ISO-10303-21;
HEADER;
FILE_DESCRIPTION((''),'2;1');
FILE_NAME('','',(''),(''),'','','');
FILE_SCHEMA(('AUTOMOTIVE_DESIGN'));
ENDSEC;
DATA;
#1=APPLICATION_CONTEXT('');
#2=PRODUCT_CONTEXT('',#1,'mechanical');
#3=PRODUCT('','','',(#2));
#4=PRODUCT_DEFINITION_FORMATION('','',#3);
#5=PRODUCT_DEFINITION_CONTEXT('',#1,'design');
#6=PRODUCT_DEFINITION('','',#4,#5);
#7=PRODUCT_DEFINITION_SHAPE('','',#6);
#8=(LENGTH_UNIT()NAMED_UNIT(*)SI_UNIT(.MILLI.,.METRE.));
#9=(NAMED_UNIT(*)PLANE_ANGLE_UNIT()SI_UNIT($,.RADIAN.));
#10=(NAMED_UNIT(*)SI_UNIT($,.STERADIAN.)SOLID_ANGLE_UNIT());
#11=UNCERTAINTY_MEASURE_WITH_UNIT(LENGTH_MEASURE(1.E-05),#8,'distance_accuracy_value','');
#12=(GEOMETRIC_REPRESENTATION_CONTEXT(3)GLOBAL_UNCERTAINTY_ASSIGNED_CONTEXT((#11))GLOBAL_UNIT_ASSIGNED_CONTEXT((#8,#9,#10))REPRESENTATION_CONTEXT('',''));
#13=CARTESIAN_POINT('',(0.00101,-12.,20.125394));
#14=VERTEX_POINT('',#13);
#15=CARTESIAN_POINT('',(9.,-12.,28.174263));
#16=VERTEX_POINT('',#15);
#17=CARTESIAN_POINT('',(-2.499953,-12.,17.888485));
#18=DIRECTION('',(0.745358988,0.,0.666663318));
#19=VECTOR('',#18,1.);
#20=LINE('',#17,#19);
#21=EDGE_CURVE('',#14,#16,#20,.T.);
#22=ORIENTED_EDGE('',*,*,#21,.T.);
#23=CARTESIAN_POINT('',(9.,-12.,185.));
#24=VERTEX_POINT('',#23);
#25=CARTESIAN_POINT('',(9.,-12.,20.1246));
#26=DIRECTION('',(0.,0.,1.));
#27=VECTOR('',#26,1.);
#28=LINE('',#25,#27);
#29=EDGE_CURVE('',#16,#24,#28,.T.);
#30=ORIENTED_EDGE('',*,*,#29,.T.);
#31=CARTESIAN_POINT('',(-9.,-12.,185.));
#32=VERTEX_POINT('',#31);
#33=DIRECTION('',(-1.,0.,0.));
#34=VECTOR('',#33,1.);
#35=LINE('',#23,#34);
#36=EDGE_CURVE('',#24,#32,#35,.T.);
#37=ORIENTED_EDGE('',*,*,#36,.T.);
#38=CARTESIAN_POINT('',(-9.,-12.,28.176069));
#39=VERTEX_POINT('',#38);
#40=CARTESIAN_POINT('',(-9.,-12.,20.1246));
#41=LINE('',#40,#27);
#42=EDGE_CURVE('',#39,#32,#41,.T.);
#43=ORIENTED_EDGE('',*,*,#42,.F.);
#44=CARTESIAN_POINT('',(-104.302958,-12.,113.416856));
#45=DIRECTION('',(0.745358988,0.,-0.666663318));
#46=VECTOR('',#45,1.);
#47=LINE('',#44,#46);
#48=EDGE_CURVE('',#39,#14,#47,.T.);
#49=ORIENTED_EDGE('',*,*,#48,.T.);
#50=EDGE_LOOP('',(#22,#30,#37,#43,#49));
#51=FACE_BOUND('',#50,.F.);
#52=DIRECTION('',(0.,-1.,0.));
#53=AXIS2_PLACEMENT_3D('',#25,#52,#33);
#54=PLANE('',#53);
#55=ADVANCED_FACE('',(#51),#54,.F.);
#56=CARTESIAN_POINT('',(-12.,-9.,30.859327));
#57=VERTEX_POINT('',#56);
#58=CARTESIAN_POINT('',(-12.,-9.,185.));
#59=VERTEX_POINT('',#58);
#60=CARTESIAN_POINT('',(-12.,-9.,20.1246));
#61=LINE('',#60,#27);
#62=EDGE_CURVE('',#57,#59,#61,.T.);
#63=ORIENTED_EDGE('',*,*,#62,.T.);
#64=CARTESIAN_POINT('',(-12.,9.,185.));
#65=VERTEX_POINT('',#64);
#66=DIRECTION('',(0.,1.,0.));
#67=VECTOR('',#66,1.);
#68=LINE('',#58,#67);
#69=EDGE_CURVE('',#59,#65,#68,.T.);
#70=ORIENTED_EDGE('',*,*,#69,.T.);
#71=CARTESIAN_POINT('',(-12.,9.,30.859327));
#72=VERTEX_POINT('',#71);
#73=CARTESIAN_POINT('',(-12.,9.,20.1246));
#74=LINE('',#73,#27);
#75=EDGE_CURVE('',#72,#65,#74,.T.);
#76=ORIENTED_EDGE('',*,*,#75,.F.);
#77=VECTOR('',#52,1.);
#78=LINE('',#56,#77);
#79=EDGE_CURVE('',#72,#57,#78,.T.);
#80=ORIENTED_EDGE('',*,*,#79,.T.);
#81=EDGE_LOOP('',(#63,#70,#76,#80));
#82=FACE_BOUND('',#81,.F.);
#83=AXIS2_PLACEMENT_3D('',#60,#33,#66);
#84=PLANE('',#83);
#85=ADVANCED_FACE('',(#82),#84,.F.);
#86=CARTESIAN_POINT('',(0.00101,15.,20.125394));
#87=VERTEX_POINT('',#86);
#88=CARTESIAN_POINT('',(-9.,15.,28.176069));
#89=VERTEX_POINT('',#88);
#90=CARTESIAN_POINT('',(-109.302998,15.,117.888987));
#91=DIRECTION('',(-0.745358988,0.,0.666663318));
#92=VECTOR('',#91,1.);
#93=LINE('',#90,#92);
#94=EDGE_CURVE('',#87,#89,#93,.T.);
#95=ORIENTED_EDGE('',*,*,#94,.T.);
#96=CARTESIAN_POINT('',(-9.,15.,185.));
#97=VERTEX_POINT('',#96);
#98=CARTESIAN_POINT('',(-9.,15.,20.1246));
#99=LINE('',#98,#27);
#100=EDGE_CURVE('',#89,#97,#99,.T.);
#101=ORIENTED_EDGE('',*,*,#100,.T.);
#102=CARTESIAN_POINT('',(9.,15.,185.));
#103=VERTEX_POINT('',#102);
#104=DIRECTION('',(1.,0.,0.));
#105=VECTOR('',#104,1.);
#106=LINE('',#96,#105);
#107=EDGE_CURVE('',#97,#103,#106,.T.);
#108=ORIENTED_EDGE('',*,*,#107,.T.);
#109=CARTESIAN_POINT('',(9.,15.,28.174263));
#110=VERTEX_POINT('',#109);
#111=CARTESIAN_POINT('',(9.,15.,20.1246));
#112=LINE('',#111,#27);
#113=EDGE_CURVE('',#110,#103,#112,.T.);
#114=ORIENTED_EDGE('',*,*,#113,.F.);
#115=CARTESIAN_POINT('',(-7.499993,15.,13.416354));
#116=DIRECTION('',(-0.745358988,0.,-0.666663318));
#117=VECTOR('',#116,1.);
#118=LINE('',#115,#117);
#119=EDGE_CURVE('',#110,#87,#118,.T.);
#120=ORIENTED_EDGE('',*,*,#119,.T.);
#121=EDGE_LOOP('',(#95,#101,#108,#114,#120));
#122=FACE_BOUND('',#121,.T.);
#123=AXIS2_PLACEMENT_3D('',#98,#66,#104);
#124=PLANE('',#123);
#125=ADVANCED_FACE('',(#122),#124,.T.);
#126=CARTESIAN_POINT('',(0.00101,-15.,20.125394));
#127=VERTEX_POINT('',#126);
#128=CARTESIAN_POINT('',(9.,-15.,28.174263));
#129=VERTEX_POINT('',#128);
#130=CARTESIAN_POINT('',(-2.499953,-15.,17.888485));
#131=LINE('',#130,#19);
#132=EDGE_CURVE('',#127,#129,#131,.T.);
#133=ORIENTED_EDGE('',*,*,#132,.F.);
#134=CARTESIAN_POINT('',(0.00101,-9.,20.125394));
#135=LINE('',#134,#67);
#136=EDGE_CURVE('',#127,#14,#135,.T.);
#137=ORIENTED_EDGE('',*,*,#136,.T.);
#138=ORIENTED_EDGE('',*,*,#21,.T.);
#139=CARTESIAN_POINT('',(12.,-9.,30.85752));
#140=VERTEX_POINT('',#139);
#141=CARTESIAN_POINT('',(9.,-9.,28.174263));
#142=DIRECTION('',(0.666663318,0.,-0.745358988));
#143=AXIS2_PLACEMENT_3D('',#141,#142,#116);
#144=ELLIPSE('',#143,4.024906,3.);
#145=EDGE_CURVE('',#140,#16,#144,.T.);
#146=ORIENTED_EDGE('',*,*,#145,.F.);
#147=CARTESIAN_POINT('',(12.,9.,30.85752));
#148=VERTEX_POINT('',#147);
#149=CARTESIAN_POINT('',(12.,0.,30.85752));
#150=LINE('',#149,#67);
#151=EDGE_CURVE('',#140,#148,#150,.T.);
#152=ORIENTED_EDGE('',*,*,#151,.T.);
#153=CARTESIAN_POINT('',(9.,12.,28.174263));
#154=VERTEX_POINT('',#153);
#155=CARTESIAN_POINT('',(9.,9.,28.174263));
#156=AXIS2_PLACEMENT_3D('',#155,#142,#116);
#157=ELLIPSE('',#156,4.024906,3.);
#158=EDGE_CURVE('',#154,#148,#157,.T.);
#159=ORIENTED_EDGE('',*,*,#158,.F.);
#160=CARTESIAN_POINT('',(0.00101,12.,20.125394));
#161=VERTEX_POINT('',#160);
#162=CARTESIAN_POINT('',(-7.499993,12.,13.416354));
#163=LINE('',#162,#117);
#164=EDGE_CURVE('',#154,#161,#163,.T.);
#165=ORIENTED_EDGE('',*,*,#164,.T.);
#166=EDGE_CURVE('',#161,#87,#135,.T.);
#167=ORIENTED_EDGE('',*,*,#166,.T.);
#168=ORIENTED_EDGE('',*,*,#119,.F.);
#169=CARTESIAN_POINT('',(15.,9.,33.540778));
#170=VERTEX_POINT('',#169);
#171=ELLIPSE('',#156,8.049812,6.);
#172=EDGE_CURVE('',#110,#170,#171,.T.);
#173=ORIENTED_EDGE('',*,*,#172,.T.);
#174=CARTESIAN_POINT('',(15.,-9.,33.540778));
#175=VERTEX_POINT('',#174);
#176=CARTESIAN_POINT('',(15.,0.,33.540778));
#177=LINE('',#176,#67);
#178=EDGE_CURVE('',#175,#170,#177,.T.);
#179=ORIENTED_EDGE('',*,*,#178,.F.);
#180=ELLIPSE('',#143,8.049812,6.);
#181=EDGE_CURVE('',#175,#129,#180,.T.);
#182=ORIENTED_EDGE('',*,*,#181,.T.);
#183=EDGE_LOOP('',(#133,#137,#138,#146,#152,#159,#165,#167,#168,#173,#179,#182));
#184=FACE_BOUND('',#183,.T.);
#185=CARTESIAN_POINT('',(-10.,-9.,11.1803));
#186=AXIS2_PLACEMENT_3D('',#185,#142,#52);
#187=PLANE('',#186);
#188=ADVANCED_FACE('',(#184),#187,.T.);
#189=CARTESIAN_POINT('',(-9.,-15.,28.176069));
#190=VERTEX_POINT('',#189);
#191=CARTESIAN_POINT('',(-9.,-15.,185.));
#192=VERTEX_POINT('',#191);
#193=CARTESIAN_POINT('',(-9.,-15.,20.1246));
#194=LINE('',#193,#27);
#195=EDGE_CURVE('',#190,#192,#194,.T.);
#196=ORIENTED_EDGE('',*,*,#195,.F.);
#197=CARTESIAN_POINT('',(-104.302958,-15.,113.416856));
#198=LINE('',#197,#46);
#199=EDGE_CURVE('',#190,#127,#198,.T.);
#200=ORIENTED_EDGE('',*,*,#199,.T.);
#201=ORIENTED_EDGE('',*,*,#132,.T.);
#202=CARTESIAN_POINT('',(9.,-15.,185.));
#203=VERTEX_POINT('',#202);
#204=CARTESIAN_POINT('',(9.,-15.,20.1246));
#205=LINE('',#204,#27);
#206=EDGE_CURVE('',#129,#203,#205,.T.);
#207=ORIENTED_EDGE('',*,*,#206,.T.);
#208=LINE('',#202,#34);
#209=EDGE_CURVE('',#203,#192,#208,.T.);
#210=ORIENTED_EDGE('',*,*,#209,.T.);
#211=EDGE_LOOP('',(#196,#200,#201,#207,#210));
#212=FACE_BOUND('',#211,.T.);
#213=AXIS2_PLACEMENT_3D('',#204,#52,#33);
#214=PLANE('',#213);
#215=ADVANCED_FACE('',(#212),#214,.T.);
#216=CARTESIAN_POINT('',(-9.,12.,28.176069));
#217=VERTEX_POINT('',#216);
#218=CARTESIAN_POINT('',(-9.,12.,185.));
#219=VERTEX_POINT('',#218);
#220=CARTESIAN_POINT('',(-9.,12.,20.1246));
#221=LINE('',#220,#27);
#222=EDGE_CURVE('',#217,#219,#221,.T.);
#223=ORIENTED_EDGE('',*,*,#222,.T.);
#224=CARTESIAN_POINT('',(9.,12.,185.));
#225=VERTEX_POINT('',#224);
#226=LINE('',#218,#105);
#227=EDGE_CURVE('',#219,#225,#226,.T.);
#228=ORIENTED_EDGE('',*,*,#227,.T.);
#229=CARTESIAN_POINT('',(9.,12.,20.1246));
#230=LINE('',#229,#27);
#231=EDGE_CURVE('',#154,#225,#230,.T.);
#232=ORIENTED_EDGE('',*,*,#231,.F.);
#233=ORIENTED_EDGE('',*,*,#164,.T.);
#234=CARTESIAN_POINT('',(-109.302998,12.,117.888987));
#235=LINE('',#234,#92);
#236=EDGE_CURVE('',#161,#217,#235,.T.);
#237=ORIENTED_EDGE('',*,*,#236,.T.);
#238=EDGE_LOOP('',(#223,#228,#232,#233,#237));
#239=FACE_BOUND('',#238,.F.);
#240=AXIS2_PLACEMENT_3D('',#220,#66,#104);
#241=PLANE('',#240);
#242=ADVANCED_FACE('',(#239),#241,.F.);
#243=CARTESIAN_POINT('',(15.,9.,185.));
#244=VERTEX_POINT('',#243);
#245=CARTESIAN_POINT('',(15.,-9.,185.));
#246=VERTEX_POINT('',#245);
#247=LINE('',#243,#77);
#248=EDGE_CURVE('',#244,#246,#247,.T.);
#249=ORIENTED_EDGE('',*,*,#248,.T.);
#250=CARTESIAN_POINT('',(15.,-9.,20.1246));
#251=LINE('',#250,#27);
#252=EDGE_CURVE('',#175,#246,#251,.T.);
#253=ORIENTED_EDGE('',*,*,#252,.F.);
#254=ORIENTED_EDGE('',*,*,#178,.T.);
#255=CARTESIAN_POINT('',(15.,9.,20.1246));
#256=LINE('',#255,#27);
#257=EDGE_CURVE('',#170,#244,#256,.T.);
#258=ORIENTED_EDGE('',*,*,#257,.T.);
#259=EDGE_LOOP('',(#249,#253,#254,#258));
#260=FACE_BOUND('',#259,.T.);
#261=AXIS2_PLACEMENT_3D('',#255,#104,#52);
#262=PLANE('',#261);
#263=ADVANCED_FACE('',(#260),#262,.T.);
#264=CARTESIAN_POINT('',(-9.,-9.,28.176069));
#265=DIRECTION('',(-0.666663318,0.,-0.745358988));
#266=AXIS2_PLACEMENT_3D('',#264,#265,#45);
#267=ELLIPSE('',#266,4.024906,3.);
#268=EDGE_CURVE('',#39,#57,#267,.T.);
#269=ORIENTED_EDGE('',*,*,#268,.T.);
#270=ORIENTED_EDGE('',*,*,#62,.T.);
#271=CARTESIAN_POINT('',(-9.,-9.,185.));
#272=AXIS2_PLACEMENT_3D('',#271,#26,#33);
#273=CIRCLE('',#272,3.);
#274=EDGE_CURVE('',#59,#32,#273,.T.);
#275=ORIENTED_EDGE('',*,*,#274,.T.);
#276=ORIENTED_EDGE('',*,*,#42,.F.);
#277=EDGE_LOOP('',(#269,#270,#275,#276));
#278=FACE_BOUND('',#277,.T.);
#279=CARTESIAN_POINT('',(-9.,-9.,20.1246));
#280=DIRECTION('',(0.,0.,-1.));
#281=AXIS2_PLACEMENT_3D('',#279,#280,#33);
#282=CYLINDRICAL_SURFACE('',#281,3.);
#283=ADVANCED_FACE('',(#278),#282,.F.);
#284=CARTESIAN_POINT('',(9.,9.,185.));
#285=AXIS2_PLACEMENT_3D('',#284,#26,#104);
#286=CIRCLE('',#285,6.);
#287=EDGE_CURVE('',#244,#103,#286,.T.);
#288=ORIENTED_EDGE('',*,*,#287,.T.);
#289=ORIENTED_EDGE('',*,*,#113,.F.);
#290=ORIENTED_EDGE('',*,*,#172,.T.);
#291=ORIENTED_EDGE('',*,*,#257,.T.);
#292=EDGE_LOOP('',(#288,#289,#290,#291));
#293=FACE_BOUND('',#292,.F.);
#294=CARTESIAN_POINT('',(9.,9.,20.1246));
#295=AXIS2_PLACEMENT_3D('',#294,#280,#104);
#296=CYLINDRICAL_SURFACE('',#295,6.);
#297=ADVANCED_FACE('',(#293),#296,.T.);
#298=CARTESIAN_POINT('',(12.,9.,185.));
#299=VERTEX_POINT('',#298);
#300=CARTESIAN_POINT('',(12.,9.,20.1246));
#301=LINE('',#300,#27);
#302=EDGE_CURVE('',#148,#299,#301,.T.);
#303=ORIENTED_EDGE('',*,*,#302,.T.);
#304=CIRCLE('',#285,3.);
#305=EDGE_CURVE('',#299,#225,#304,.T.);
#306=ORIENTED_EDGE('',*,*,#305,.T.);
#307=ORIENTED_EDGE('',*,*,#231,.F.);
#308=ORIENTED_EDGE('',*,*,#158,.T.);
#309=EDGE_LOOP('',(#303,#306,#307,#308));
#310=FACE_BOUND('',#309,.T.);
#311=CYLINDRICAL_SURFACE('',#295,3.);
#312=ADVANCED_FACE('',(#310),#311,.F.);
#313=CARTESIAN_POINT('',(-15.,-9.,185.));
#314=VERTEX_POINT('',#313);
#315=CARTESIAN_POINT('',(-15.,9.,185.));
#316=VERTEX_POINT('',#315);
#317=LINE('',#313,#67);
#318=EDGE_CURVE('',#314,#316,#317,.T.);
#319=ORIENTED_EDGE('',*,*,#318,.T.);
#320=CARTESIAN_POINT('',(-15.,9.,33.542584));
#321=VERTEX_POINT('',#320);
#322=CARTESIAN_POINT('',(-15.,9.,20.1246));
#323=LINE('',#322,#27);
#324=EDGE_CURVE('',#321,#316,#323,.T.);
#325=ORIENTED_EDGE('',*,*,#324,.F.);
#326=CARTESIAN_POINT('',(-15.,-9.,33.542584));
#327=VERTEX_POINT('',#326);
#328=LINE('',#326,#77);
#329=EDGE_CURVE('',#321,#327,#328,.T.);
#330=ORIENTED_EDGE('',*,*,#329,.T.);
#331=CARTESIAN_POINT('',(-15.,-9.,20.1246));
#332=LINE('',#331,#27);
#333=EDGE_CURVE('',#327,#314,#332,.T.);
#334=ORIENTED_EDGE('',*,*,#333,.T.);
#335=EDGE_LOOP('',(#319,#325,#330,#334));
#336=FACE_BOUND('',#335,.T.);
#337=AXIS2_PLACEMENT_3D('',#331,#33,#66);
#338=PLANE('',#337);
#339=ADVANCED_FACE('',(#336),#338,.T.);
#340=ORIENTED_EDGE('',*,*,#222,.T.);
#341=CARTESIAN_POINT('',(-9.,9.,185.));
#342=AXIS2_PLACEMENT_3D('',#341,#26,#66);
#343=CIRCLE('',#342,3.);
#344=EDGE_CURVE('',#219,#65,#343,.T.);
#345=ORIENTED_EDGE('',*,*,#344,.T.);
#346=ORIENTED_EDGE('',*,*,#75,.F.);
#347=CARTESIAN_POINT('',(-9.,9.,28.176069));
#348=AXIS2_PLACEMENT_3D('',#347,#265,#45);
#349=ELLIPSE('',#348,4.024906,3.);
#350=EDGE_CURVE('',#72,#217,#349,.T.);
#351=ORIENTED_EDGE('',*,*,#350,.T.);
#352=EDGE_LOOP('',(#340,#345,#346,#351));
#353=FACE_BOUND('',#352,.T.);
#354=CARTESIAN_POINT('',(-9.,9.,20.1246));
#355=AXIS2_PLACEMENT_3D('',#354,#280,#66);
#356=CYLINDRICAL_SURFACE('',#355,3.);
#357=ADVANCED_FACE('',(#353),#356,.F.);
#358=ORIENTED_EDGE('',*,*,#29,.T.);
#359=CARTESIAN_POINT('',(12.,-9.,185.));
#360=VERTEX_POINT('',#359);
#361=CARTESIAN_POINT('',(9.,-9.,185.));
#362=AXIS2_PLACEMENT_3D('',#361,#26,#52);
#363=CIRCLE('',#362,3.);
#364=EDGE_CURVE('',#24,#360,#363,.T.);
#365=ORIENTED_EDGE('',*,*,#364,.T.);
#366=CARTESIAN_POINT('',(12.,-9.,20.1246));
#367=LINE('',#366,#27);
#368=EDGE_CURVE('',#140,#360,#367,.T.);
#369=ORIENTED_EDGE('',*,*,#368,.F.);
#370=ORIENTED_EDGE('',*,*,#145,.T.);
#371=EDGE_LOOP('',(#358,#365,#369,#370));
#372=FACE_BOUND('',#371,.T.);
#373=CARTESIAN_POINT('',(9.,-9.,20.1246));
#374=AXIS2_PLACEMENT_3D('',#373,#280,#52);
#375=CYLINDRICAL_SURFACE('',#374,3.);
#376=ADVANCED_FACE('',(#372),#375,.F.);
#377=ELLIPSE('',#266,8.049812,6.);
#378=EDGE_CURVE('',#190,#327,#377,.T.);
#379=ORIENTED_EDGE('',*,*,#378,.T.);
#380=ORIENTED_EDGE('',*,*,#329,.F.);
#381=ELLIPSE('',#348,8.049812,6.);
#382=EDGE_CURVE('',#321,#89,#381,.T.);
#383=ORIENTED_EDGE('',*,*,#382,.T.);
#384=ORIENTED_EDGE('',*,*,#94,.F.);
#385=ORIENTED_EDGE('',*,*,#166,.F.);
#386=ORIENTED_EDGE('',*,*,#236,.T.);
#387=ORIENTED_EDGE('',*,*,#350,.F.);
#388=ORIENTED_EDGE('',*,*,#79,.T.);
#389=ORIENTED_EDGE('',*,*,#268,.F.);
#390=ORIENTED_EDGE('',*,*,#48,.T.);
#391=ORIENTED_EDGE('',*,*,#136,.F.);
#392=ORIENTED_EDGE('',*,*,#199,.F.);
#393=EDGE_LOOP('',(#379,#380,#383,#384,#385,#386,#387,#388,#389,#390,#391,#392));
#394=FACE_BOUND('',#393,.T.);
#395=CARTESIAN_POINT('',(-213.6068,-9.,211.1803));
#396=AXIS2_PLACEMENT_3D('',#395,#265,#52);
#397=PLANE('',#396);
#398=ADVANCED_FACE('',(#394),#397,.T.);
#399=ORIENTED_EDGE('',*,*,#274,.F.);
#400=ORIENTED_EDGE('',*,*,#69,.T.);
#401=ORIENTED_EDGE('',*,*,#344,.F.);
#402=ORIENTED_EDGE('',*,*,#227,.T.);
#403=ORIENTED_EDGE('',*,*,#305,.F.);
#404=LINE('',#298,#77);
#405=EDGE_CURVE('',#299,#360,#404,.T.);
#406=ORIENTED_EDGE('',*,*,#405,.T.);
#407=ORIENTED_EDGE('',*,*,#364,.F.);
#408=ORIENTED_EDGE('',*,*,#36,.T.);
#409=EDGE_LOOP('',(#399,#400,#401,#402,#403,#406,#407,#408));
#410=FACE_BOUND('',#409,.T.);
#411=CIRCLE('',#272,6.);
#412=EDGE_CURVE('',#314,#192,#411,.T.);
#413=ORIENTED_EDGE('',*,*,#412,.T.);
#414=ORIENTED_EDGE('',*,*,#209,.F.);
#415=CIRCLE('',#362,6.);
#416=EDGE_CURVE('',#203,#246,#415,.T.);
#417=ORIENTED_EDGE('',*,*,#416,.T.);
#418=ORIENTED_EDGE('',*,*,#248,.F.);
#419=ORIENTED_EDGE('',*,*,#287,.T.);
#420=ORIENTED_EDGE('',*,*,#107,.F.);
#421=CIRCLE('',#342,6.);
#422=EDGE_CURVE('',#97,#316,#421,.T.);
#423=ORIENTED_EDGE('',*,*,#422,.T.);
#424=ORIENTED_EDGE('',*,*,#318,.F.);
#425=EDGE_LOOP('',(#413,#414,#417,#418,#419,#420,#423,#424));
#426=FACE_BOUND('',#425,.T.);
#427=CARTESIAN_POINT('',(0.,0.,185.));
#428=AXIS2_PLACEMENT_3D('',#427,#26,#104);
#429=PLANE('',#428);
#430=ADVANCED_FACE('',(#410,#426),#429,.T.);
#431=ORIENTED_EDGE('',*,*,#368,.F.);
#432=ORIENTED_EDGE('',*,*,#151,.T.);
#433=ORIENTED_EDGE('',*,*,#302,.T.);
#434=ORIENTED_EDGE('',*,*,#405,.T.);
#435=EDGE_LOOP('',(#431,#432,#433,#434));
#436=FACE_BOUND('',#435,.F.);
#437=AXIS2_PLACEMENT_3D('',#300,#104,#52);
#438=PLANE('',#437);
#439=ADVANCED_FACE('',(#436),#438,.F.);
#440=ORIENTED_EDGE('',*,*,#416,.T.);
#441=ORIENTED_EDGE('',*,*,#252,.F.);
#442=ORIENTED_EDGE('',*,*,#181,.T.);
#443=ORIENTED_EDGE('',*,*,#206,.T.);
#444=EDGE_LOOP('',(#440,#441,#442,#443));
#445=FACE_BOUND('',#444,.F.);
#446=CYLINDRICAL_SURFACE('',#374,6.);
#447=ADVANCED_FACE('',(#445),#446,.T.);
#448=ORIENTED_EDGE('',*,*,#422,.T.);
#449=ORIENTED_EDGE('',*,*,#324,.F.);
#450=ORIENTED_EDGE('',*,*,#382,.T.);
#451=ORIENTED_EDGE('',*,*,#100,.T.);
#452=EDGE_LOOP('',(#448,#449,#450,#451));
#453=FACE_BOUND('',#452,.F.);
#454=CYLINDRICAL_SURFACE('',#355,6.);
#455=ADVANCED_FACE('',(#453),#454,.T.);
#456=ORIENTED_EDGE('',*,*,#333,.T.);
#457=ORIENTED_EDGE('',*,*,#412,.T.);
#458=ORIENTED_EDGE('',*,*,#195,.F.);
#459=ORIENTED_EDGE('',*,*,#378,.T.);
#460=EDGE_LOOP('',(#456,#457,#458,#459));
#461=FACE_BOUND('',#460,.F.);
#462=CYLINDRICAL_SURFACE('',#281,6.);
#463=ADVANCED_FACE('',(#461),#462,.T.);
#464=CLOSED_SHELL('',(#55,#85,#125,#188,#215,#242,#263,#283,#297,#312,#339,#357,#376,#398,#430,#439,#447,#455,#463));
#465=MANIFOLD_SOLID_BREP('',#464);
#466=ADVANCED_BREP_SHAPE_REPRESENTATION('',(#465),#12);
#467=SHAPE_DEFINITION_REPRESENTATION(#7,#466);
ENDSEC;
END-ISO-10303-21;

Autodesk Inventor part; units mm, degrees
ref_plane "Start Plane" through (0, 0, 20.1246) normal (0, 0, 1) x (1, 0, 0)
ref_plane "End Plane" through (0, 0, 185) normal (0, 0, 1) x (1, 0, 0)
sketch "Sketch" plane through (0, 0, 0) normal (0, 0, 1) x (1, 0, 0)
  line L0 (-15, -9) -> (-15, 9)
  line L1 (-9, 15) -> (9, 15)
  line L2 (15, 9) -> (15, -9)
  line L3 (9, -15) -> (-9, -15)
  arc A0 (-15, -9) -> (-9, -15) centre (-9, -9) ccw
  arc A1 (-9, 15) -> (-15, 9) centre (-9, 9) ccw
  arc A2 (15, 9) -> (9, 15) centre (9, 9) ccw
  arc A3 (9, -15) -> (15, -9) centre (9, -9) ccw
  arc A4 (-9, 12) -> (-12, 9) centre (-9, 9) ccw
  line L4 (-9, 12) -> (9, 12)
  arc A5 (12, 9) -> (9, 12) centre (9, 9) ccw
  line L5 (12, 9) -> (12, -9)
  arc A6 (9, -12) -> (12, -9) centre (9, -9) ccw
  line L6 (9, -12) -> (-9, -12)
  arc A7 (-12, -9) -> (-9, -12) centre (-9, -9) ccw
  line L7 (-12, -9) -> (-12, 9)
  line L8 (0, 22.7397) -> (0, -22.7397) construction
  line L9 (-22.7397, 0) -> (22.7397, 0) construction
  dimension "d7" = 6
  dimension "d10" = 30
  dimension "d11" = 30
  dimension "d12" = 3
  dimension "d15" = 15
  dimension "d16" = 15
extrude "Body" add sketch "Sketch" along normal up to surface (164.8754 mm away) from surface at 20.1246
sketch "Sketch3" plane through (0, 0, 0) normal (0, 0, 1) x (1, 0, 0)
  line L0 (0, 0) -> (10, 0)
ref_plane "Work Plane3" through (0, 0, 0) normal (0, -1, 0) x (1, 0, 0)
ref_plane "Work Plane4" through (-839, 9, 185) normal (0, 0, 1) x (1, 0, 0)
split "Split1" plane through (-839, 9, 185) removes the side toward (0, 0, 1)
ref_plane "Work Plane5" through (-10, -9, 11.1803) normal (0.6667, 0, -0.7454) x (-0.7454, 0, -0.6667)
split "Split2" plane through (-10, -9, 11.1803) removes the side toward (0.6667, 0, -0.7454)
ref_plane "Work Plane6" through (-213.6068, -9, 211.1803) normal (-0.6667, 0, -0.7454) x (-0.7454, 0, 0.6667)
split "Split3" plane through (-213.6068, -9, 211.1803) removes the side toward (-0.6667, 0, -0.7454)
sketch "Sketch4" plane through (0, 0, 0) normal (0, -1, 0) x (1, 0, 0)
  line L0 (-2, 20.1246) -> (12, 20.1246) projected
  line L1 (-2, 185) -> (12, 185) projected
  dimension "d18" = 164.8754
equation "\"d7\" = G_IR"
equation "\"d10\" = G_H"
equation "\"d11\" = G_W"
equation "\"d12\" = G_T"
equation "\"d15\" = 0.5 * d10"
equation "\"d16\" = 0.5 * d11"
equation "\"d3\" = G_L"
equation "\"G_W\" = 30"
equation "\"G_H\" = 30"
equation "\"G_T\" = 3"
equation "\"G_IR\" = 6"
equation "\"G_L\" = d18"
equation "\"G_OFFSET_START\" = -20.12461"
equation "\"G_OFFSET_END\" = -15"
equation "\"d13\" = -G_OFFSET_START"
equation "\"d14\" = G_OFFSET_END + B_L"
equation "\"B_L\" = 200"
properties part number "DIN EN 10219-2 - 30 x 30 x 3  - 164.88" material "Steel, Mild"
